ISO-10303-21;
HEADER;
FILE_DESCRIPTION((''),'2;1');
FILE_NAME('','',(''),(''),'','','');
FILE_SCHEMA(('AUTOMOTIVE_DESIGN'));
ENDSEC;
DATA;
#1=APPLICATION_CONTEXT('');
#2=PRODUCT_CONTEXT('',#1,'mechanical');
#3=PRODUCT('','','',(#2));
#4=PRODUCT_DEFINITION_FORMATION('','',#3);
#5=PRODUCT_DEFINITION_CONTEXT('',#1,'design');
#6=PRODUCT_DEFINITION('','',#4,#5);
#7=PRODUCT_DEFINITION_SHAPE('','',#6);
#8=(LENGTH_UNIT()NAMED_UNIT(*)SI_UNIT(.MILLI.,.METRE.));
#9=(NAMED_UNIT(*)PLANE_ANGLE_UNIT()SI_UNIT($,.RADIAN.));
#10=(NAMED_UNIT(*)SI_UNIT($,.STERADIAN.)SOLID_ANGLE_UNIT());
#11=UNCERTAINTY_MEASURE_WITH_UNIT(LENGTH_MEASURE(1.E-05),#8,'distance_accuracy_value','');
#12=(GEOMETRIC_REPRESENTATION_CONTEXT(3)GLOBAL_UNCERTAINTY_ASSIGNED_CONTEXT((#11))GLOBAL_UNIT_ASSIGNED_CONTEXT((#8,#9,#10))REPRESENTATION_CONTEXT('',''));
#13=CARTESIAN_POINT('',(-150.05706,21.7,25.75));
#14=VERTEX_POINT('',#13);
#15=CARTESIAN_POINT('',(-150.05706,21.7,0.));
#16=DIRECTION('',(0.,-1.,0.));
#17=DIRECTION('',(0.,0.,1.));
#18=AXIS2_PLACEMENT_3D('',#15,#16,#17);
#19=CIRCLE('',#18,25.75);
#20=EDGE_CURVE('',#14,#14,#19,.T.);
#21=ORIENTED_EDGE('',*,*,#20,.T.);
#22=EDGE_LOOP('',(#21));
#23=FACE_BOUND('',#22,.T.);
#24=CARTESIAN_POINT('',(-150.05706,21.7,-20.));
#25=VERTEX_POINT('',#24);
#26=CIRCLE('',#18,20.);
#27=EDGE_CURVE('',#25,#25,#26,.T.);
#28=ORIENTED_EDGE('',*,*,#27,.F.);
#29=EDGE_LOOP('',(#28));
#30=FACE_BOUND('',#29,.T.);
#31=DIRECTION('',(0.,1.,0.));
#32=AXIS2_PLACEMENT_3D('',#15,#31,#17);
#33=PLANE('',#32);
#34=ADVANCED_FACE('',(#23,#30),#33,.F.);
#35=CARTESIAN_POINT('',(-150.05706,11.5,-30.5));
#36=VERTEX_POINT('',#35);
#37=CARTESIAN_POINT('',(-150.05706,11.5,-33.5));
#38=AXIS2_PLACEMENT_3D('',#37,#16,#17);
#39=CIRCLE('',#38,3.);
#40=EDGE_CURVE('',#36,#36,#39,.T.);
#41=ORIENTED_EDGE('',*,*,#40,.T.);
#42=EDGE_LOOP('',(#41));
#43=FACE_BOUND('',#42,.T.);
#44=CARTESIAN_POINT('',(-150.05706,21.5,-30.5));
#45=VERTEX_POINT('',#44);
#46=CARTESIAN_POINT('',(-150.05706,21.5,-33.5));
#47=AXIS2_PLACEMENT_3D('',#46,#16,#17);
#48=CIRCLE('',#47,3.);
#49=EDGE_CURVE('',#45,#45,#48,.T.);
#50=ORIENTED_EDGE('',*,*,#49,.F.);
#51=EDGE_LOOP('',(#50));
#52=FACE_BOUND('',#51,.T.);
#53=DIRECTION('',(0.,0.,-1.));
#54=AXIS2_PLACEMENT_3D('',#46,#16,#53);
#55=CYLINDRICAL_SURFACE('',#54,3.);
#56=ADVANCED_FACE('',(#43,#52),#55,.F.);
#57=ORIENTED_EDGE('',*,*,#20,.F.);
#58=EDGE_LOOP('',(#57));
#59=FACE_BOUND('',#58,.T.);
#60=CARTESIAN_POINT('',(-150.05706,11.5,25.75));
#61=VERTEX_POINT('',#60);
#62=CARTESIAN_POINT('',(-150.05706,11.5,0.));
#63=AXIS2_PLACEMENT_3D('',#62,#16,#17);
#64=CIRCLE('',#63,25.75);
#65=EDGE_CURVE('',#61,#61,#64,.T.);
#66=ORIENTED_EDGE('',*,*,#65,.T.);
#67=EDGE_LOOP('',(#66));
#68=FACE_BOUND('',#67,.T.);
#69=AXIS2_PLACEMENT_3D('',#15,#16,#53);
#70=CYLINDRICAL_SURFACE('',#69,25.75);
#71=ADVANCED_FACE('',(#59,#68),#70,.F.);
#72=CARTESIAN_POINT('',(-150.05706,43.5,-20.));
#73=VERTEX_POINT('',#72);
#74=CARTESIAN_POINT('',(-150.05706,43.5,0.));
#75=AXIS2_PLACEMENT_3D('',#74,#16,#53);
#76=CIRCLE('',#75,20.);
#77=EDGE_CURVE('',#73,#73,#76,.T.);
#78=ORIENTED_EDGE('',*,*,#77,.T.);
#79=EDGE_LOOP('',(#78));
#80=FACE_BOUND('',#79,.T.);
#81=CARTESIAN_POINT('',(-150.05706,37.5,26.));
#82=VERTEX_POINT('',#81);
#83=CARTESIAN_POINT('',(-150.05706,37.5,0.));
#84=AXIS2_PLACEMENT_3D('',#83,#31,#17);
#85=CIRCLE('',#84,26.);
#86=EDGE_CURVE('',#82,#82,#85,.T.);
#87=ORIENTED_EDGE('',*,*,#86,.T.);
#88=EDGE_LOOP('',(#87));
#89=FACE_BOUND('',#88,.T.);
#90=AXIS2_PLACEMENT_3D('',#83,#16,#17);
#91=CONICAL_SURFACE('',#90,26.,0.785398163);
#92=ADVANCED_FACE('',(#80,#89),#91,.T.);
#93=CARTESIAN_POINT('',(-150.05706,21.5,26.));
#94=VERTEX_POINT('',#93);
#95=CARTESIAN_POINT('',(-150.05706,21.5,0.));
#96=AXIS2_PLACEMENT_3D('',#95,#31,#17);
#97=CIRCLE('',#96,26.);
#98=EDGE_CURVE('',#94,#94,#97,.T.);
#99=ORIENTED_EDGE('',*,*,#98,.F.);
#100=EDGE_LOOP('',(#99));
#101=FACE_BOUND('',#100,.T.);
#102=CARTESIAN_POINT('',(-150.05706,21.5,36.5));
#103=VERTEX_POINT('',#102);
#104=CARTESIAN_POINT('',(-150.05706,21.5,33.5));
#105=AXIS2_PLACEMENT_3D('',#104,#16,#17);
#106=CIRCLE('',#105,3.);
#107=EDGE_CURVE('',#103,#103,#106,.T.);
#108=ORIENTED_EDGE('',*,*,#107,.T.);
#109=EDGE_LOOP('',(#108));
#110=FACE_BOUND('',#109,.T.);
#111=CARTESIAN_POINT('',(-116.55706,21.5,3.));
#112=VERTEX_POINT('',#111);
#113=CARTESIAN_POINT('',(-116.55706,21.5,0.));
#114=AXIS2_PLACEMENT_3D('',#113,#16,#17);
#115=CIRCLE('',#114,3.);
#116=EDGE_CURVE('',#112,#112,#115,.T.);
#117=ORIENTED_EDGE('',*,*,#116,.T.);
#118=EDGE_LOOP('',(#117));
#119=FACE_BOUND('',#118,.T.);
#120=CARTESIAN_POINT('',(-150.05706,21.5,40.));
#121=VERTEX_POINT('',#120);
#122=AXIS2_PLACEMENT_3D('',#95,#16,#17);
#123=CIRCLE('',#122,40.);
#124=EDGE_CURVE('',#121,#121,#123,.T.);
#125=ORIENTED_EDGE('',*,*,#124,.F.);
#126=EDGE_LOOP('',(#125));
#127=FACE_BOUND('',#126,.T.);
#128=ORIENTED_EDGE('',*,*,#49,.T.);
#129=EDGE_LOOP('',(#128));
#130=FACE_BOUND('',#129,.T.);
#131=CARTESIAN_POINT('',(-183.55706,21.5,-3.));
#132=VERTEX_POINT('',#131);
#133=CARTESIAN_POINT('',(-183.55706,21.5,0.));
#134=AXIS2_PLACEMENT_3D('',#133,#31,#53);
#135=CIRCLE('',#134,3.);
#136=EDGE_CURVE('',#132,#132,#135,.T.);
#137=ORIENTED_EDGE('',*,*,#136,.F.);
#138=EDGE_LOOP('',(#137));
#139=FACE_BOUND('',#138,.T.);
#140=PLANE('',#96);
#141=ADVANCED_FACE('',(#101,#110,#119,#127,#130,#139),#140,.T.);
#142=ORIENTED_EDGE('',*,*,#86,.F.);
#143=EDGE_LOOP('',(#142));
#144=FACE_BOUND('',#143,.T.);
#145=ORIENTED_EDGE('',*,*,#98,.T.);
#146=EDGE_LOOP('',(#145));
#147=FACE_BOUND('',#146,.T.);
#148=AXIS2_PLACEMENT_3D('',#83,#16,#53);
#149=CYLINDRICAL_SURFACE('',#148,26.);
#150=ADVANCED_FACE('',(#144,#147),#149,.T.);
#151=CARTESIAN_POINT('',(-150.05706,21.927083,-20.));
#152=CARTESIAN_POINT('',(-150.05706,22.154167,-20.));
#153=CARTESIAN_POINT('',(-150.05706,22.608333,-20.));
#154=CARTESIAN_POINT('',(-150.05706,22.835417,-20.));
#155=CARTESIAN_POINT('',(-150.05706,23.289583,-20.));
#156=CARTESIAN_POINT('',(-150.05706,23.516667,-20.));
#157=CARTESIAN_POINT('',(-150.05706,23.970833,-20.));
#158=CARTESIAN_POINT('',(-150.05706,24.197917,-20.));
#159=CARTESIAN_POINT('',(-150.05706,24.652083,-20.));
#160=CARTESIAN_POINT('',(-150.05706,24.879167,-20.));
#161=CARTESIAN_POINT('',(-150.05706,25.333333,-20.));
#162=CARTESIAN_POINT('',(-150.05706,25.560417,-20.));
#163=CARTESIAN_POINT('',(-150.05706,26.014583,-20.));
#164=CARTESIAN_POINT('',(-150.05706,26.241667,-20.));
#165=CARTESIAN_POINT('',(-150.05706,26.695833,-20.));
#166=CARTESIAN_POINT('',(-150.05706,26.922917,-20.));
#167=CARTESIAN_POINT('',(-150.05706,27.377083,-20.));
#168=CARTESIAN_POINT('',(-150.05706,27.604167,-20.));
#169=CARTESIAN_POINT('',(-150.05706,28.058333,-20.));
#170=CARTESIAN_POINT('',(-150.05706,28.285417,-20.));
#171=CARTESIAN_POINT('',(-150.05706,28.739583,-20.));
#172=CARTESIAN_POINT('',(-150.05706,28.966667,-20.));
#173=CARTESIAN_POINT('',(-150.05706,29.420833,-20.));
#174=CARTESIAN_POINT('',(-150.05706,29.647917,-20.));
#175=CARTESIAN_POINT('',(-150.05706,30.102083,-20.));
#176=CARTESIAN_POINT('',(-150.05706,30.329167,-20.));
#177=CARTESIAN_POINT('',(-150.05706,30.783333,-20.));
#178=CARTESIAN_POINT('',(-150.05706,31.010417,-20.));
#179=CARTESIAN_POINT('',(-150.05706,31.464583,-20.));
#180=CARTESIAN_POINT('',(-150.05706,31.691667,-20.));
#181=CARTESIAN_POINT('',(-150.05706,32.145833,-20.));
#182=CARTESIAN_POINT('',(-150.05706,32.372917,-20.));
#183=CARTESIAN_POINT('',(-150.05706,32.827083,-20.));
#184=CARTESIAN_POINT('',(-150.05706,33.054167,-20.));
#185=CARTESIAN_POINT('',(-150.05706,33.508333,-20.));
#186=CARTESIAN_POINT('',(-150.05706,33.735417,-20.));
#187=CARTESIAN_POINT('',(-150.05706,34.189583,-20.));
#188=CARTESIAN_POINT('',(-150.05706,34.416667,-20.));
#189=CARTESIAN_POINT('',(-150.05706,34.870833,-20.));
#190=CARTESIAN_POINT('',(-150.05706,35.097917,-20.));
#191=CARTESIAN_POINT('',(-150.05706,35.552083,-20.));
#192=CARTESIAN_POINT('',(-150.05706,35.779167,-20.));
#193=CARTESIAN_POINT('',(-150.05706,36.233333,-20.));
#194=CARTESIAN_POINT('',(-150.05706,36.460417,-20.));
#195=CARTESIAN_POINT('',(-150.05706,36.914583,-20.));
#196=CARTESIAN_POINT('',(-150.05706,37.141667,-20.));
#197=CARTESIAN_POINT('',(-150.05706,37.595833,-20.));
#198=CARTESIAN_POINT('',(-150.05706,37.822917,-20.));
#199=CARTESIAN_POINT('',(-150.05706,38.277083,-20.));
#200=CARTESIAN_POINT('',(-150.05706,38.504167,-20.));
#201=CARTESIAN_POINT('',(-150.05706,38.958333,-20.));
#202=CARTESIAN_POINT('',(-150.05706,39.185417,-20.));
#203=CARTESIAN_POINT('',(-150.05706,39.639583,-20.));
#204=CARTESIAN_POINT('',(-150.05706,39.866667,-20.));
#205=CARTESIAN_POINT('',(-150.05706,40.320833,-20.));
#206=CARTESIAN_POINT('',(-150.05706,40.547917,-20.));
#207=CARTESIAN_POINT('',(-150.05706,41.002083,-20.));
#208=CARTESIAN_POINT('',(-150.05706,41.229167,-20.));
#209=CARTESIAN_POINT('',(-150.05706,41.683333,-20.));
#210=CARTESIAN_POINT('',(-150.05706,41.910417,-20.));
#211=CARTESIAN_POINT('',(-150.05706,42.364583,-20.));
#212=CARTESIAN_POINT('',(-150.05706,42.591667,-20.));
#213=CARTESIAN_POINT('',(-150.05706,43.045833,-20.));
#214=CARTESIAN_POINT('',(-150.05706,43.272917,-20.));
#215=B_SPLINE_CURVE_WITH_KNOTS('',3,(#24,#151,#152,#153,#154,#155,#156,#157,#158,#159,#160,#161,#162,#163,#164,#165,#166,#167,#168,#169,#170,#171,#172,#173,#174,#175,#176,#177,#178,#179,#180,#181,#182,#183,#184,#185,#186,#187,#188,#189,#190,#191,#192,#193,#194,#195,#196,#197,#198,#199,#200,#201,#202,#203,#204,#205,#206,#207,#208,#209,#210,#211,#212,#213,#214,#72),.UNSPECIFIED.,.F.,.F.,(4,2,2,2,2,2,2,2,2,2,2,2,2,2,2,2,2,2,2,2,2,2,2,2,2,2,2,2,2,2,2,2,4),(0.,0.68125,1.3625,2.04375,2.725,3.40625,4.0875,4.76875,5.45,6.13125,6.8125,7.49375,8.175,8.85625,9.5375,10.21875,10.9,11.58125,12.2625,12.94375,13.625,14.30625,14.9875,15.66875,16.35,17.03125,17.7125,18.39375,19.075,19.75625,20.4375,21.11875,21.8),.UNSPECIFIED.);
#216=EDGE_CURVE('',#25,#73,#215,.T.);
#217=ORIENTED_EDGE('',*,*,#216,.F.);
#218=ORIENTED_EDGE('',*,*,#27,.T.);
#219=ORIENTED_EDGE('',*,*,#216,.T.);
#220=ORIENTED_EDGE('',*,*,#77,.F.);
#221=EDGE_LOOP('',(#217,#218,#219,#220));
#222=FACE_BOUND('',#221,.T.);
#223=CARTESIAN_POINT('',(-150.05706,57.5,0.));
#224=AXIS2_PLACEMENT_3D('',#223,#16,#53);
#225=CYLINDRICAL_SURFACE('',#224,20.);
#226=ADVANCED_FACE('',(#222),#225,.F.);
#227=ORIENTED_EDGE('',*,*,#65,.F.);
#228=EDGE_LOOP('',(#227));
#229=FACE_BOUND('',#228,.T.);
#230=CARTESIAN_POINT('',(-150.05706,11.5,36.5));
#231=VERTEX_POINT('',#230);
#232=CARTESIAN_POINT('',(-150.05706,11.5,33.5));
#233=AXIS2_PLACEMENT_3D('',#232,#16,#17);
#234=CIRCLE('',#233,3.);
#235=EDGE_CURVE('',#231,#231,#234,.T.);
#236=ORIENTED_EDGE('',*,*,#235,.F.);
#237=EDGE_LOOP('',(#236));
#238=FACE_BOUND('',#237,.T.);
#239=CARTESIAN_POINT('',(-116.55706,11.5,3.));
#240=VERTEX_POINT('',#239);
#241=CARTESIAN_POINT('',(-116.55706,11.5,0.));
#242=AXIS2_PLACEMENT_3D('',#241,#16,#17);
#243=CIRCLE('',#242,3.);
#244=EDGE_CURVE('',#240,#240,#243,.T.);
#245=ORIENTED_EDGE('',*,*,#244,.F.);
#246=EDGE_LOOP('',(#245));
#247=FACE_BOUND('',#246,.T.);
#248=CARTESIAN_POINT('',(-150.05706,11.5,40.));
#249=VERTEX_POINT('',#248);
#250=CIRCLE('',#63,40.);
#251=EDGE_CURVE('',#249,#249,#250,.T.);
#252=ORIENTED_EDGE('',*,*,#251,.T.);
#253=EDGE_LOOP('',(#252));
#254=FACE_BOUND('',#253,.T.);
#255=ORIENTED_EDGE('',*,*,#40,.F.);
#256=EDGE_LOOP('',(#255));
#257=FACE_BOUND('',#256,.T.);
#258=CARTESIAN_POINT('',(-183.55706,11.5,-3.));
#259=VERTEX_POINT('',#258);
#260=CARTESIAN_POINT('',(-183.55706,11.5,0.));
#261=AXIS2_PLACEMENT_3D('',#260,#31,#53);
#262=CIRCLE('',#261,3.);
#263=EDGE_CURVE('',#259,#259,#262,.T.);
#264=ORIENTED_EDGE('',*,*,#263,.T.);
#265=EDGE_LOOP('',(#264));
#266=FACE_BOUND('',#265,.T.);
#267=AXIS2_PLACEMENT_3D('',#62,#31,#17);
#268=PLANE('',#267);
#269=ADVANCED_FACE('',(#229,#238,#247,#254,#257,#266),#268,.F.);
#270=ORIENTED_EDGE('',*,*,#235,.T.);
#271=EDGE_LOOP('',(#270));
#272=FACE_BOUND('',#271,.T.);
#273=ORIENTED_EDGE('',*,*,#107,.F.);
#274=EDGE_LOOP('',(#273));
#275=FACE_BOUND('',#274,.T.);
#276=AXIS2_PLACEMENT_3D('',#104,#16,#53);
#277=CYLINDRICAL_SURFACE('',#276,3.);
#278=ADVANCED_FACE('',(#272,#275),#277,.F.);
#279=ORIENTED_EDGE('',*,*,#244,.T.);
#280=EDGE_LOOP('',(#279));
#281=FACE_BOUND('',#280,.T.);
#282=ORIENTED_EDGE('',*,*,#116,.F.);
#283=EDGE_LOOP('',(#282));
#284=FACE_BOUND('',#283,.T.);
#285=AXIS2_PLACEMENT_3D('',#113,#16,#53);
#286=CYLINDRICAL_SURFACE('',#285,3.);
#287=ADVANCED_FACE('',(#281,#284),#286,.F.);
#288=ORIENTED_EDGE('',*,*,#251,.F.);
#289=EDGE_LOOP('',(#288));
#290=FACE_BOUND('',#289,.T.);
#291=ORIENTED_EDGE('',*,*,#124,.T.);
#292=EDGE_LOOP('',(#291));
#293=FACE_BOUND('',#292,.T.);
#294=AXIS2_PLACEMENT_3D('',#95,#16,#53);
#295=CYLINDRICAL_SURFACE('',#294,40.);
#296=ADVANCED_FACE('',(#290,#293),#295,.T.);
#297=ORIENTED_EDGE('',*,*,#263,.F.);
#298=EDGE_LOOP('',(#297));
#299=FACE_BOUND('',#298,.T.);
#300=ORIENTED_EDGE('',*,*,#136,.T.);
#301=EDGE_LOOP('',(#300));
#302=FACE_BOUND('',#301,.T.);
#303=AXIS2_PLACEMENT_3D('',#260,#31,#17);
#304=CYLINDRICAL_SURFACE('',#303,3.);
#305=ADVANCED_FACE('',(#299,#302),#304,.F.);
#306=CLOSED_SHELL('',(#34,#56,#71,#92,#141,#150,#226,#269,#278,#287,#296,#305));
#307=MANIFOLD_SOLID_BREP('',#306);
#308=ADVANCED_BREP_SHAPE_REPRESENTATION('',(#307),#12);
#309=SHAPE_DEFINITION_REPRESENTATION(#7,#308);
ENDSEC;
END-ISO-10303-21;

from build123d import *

# Parameters (mm, degrees)
SKETCH1_R           = 40
BOSS_EXTRUDE1_DEPTH = 10
SKETCH2_R           = 3
CUT_EXTRUDE1_DEPTH  = 195.477983176
SKETCH3_R           = 3
CUT_EXTRUDE2_DEPTH  = 195.477983176
SKETCH4_R           = 3
CUT_EXTRUDE3_DEPTH  = 195.477983176
SKETCH5_R           = 3
CUT_EXTRUDE4_DEPTH  = 195.477983176
SKETCH6_R           = 26
BOSS_EXTRUDE2_DEPTH = 16
SKETCH7_R           = 26
BOSS_EXTRUDE3_DEPTH = 6
BOSS_EXTRUDE3_TAPER = 45
SKETCH8_R           = 20
BOSS_EXTRUDE4_DEPTH = 14
SKETCH9_R           = 25.75
CUT_EXTRUDE5_DEPTH  = 10.2
SKETCH10_R          = 20
CUT_EXTRUDE6_DEPTH  = 198.492597178


with BuildPart() as part:
    # Sketch1 → Boss-Extrude1 (new body)
    with BuildSketch(Plane.XZ.offset(-11.5)):
        with Locations(Location((-150.057059695, 0, 0), (0, 0, 90))):
            Circle(SKETCH1_R)
    extrude(amount=-BOSS_EXTRUDE1_DEPTH)

    # Sketch2 → Cut-Extrude1 (cut, through all)
    with BuildSketch(Plane.XZ.offset(-11.5)):
        with Locations(Location((-150.057059695, -33.5, 0), (0, 0, 90))):
            Circle(SKETCH2_R)
    extrude(amount=-CUT_EXTRUDE1_DEPTH, mode=Mode.SUBTRACT)

    # Sketch3 → Cut-Extrude2 (cut, through all)
    with BuildSketch(Plane.XZ.offset(-11.5)):
        with Locations(Location((-116.557059695, 0, 0), (0, 0, 90))):
            Circle(SKETCH3_R)
    extrude(amount=-CUT_EXTRUDE2_DEPTH, mode=Mode.SUBTRACT)

    # Sketch4 → Cut-Extrude3 (cut, through all)
    with BuildSketch(Plane.XZ.offset(-11.5)):
        with Locations(Location((-150.057059695, 33.5, 0), (0, 0, 90))):
            Circle(SKETCH4_R)
    extrude(amount=-CUT_EXTRUDE3_DEPTH, mode=Mode.SUBTRACT)

    # Sketch5 → Cut-Extrude4 (cut, through all)
    with BuildSketch(Plane(origin=(0, 21.5, 0), x_dir=(-1, 0, 0), z_dir=(0, 1, 0))):
        with Locations(Location((183.557059695, 0, 0), (0, 0, 270))):
            Circle(SKETCH5_R)
    extrude(amount=-CUT_EXTRUDE4_DEPTH, mode=Mode.SUBTRACT)

    # Sketch6 → Boss-Extrude2 (add)
    with BuildSketch(Plane(origin=(0, 21.5, 0), x_dir=(-1, 0, 0), z_dir=(0, 1, 0))):
        with Locations(Location((150.057059695, 0, 0), (0, 0, 90))):
            Circle(SKETCH6_R)
    extrude(amount=BOSS_EXTRUDE2_DEPTH)

    # Sketch7 → Boss-Extrude3 (add)
    with BuildSketch(Plane(origin=(0, 37.5, 0), x_dir=(-1, 0, 0), z_dir=(0, 1, 0))):
        with Locations(Location((150.057059695, 0, 0), (0, 0, 90))):
            Circle(SKETCH7_R)
    extrude(amount=BOSS_EXTRUDE3_DEPTH, taper=BOSS_EXTRUDE3_TAPER)

    # Sketch8 → Boss-Extrude4 (add)
    with BuildSketch(Plane(origin=(0, 43.5, 0), x_dir=(-1, 0, 0), z_dir=(0, 1, 0))):
        with Locations(Location((150.057059695, 0, 0), (0, 0, 90))):
            Circle(SKETCH8_R)
    extrude(amount=BOSS_EXTRUDE4_DEPTH)

    # Sketch9 → Cut-Extrude5 (cut)
    with BuildSketch(Plane.XZ.offset(-11.5)):
        with Locations(Location((-150.057059695, 0, 0), (0, 0, 90))):
            Circle(SKETCH9_R)
    extrude(amount=-CUT_EXTRUDE5_DEPTH, mode=Mode.SUBTRACT)

    # Sketch10 → Cut-Extrude6 (cut, through all)
    with BuildSketch(Plane.XZ.offset(-21.7)):
        with Locations(Location((-150.057059695, 0, 0), (0, 0, 270))):
            Circle(SKETCH10_R)
    extrude(amount=-CUT_EXTRUDE6_DEPTH, mode=Mode.SUBTRACT)


solid = part.part
